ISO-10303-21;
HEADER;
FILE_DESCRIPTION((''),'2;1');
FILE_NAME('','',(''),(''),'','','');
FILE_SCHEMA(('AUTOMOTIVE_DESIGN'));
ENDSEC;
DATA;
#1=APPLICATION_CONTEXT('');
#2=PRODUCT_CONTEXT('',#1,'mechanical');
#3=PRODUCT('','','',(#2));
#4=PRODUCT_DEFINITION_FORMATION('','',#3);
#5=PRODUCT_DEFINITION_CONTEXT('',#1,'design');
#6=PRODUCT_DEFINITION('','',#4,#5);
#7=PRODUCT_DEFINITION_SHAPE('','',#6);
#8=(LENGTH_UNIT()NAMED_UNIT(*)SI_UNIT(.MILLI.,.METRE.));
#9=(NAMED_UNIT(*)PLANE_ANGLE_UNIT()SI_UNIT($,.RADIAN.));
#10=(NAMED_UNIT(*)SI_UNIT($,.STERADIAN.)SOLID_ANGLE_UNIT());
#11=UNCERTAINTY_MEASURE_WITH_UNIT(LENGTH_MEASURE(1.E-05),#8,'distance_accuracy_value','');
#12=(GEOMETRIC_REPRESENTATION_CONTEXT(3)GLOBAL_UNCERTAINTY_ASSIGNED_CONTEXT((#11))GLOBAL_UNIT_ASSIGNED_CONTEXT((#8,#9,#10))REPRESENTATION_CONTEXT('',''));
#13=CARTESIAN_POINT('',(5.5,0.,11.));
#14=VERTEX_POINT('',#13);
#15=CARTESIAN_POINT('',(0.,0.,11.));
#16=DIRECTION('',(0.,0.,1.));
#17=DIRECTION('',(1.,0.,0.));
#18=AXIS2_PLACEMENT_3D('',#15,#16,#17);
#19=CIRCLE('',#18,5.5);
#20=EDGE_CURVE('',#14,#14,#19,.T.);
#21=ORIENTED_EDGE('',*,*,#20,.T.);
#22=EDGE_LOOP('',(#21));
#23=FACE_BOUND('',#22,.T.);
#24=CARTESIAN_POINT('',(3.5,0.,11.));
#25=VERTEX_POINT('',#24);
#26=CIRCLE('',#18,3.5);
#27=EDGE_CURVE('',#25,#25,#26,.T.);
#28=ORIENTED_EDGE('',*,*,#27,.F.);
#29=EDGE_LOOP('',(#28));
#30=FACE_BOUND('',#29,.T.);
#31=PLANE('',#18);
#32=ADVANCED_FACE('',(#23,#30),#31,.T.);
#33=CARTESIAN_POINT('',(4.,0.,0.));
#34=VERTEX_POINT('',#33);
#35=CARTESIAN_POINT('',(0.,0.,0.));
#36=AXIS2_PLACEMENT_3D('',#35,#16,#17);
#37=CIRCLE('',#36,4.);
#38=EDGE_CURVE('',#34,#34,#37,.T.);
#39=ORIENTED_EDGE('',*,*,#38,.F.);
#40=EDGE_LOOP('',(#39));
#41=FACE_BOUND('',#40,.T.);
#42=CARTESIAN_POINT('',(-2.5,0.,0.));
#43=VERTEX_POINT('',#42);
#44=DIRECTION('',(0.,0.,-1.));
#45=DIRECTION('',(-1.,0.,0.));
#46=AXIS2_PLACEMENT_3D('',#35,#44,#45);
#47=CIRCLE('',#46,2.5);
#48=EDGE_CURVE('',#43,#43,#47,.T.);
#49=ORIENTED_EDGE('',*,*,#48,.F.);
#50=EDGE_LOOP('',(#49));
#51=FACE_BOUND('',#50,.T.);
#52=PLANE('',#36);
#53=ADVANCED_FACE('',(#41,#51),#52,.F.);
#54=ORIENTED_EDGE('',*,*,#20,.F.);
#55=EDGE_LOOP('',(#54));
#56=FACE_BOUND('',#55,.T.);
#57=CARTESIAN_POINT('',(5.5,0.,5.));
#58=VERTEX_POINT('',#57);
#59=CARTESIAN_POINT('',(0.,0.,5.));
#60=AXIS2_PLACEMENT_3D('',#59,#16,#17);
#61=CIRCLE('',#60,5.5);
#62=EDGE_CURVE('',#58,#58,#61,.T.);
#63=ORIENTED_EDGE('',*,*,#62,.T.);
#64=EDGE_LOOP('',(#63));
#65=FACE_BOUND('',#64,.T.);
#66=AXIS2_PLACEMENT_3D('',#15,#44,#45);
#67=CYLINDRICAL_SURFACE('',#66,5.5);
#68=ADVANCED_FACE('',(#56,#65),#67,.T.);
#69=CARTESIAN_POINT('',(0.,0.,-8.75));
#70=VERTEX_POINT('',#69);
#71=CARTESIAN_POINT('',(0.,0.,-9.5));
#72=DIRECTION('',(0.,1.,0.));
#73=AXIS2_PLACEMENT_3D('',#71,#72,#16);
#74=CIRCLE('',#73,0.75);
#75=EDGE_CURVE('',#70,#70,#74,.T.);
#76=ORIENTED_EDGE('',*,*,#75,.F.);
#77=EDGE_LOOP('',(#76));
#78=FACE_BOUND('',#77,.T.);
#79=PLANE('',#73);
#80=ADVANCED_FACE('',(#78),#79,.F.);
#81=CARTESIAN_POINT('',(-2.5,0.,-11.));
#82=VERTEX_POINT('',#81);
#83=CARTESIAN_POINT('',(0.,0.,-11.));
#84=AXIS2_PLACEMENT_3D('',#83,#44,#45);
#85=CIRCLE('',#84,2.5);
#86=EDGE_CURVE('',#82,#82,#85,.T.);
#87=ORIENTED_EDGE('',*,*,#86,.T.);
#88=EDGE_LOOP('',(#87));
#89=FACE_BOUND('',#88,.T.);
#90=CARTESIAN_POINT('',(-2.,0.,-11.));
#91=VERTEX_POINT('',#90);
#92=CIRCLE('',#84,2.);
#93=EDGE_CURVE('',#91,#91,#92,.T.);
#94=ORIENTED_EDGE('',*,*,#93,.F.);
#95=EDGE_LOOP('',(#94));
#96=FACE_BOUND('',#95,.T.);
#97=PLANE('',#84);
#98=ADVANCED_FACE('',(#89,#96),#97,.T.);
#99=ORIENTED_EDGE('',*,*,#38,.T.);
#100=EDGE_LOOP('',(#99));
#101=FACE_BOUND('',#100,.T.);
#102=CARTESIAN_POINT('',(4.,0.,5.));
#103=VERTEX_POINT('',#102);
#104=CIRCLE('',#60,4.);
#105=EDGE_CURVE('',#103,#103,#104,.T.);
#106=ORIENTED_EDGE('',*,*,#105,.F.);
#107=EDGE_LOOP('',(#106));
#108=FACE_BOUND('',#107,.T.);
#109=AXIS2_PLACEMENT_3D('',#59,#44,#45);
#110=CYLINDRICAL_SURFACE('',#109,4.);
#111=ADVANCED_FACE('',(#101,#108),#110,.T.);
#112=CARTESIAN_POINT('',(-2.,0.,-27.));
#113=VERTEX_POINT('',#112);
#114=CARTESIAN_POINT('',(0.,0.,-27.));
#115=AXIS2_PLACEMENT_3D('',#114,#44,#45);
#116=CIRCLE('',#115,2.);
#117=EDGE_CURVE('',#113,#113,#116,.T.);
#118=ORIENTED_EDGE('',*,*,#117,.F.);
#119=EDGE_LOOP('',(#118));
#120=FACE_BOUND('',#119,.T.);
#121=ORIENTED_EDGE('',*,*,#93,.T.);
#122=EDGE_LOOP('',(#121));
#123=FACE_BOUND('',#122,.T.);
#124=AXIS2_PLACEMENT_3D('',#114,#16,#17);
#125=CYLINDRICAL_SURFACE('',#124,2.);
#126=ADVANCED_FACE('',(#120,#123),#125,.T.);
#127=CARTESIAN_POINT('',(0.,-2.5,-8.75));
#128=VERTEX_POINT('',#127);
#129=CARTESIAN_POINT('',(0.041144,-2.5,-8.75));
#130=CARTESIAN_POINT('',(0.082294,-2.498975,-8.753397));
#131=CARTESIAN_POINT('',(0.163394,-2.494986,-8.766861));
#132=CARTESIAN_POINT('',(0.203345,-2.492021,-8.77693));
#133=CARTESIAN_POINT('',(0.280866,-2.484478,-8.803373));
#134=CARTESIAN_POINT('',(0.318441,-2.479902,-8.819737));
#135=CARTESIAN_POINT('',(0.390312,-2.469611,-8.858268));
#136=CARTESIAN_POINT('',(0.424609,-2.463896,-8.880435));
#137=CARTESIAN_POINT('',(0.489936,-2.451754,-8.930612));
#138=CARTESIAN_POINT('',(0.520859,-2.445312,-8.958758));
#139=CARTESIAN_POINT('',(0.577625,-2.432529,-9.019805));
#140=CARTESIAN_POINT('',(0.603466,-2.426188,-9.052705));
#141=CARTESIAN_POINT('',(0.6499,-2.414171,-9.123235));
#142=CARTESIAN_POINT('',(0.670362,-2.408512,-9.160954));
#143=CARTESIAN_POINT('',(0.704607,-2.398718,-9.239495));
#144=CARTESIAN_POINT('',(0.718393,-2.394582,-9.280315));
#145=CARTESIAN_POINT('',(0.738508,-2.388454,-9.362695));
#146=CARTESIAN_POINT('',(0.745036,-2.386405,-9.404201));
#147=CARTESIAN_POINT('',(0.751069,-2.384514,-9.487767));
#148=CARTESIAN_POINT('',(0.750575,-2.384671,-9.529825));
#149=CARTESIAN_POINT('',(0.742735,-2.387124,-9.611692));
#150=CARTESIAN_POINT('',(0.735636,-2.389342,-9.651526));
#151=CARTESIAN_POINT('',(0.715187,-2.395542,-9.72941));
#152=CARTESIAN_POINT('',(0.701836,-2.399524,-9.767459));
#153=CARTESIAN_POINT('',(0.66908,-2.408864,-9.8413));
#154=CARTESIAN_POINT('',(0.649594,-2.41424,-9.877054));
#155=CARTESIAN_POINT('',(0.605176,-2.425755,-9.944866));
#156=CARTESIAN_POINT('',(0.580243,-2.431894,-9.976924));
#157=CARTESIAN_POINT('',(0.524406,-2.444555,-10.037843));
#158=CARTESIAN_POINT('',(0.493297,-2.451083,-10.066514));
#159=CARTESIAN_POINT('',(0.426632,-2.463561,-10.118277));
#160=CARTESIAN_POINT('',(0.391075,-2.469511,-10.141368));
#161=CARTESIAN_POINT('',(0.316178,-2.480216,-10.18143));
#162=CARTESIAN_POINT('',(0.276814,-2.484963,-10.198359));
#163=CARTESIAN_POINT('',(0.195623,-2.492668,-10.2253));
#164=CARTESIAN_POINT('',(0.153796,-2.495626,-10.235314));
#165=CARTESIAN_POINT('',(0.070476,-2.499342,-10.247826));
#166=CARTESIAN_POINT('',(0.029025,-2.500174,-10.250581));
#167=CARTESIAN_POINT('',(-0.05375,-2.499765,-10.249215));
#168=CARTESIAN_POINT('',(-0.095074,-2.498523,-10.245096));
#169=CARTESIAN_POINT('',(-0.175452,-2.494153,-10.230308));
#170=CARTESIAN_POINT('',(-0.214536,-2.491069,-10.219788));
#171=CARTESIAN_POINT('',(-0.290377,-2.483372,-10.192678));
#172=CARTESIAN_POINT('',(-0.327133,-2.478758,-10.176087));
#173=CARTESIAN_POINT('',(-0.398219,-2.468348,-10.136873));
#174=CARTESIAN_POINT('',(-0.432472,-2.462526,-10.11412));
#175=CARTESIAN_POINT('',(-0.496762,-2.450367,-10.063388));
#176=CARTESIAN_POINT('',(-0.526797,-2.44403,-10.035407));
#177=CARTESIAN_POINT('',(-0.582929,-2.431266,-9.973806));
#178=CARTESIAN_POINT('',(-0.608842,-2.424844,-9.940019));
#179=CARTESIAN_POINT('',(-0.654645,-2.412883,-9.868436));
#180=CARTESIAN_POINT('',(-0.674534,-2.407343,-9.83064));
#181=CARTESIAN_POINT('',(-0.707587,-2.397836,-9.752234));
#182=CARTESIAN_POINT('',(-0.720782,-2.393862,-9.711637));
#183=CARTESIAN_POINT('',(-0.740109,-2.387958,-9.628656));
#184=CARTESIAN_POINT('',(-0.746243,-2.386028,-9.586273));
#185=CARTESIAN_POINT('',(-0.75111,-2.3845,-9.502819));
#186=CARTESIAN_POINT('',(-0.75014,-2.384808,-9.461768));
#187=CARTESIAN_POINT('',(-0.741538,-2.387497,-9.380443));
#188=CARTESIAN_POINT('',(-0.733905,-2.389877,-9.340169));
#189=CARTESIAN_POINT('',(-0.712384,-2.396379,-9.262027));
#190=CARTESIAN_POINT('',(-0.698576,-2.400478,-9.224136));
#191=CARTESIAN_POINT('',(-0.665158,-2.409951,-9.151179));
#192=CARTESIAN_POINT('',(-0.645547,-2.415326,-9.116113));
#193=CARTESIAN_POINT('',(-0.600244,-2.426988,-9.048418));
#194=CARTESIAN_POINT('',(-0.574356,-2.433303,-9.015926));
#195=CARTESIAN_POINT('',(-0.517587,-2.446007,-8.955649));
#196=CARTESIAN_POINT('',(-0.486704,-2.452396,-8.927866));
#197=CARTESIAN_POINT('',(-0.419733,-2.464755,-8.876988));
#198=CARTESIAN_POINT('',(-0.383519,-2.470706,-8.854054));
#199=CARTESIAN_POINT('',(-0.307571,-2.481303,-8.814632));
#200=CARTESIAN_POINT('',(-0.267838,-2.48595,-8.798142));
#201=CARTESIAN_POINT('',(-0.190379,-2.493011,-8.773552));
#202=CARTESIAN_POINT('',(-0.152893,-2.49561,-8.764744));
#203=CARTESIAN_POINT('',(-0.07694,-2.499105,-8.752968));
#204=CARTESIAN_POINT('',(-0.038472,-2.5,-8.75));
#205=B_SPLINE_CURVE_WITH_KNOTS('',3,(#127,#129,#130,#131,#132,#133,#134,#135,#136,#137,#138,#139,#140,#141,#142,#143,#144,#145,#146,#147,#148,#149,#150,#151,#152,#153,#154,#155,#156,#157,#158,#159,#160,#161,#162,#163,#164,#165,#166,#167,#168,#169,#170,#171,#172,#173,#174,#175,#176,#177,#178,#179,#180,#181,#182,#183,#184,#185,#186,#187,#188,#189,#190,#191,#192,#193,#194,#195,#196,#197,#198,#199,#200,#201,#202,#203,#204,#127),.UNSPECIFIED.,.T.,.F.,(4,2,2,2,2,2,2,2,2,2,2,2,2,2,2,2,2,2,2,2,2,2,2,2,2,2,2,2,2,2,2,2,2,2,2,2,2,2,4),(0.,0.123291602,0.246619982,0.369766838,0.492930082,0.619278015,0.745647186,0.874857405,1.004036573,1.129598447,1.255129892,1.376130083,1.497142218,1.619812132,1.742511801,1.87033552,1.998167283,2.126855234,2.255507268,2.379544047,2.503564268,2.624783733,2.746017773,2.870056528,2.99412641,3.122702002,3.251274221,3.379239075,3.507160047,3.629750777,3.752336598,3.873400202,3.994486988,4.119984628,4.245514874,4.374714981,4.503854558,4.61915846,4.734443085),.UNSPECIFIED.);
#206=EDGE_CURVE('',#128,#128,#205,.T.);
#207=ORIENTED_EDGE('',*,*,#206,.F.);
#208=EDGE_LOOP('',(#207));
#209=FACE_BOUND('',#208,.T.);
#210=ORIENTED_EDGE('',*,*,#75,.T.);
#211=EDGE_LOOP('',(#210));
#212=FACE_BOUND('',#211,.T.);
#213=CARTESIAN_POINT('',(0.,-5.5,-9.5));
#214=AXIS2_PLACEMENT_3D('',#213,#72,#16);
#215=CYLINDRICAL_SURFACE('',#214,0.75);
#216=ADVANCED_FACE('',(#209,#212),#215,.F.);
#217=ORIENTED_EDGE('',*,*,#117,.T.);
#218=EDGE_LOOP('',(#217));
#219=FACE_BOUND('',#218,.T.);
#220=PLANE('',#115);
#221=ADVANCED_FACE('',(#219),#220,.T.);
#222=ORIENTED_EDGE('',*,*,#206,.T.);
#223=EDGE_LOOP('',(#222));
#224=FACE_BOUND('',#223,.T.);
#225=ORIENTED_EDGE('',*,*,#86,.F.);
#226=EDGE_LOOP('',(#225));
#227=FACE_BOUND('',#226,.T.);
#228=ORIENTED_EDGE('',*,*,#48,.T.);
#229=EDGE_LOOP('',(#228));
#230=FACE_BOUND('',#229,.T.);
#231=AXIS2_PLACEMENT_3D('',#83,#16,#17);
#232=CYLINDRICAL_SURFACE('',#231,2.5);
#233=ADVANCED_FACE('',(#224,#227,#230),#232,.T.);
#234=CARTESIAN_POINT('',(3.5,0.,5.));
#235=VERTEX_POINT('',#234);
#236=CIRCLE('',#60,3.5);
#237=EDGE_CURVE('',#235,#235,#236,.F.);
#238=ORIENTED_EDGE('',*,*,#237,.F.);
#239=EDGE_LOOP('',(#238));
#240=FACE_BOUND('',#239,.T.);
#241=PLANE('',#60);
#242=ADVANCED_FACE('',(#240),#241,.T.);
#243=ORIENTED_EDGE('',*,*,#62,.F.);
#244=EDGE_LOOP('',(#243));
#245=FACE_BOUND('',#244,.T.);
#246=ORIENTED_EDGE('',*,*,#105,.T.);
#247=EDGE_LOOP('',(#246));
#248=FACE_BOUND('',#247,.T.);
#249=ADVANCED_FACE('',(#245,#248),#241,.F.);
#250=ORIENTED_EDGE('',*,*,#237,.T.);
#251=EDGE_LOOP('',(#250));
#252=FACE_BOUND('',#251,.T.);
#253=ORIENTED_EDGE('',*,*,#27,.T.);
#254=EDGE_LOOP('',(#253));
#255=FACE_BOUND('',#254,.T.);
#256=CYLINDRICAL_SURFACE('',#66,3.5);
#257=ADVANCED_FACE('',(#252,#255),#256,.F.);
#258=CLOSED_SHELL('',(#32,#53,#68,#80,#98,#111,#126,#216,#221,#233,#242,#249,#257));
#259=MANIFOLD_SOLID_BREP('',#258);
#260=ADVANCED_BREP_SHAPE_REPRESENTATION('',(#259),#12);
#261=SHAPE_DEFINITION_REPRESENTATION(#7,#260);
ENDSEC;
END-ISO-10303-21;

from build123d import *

# Parameters (mm, degrees)
CROQUIS1_R              = 4
SALIENTE_EXTRUIR1_DEPTH = 5
CROQUIS2_R              = 5.5
CROQUIS2_R_2            = 3.5
SALIENTE_EXTRUIR2_DEPTH = 6
CROQUIS3_R              = 2.5
SALIENTE_EXTRUIR3_DEPTH = 11
CROQUIS4_R              = 2
SALIENTE_EXTRUIR4_DEPTH = 16
CROQUIS5_R              = 0.75
CORTAR_EXTRUIR1_DEPTH   = 6.5


with BuildPart() as part:
    # Croquis1 → Saliente-Extruir1 (new body)
    with BuildSketch(Plane.XY):
        Circle(CROQUIS1_R)
    extrude(amount=SALIENTE_EXTRUIR1_DEPTH)

    # Croquis2 → Saliente-Extruir2 (add)
    with BuildSketch(Plane.XY.offset(5)):
        Circle(CROQUIS2_R)
        Circle(CROQUIS2_R_2, mode=Mode.SUBTRACT)
    extrude(amount=SALIENTE_EXTRUIR2_DEPTH)

    # Croquis3 → Saliente-Extruir3 (add)
    with BuildSketch(Plane(origin=(0, 0, 0), x_dir=(-1, 0, 0), z_dir=(0, 0, -1))):
        Circle(CROQUIS3_R)
    extrude(amount=SALIENTE_EXTRUIR3_DEPTH)

    # Croquis4 → Saliente-Extruir4 (add)
    with BuildSketch(Plane(origin=(0, 0, -11), x_dir=(-1, 0, 0), z_dir=(0, 0, -1))):
        Circle(CROQUIS4_R)
    extrude(amount=SALIENTE_EXTRUIR4_DEPTH)

    # Croquis5 → Cortar-Extruir1 (cut, through all)
    with BuildSketch(Plane(origin=(0, 0, 0), x_dir=(1, 0, 0), z_dir=(0, 1, 0))):
        with Locations((0, 9.5)):
            Circle(CROQUIS5_R)
    extrude(amount=-CORTAR_EXTRUIR1_DEPTH, mode=Mode.SUBTRACT)


solid = part.part
